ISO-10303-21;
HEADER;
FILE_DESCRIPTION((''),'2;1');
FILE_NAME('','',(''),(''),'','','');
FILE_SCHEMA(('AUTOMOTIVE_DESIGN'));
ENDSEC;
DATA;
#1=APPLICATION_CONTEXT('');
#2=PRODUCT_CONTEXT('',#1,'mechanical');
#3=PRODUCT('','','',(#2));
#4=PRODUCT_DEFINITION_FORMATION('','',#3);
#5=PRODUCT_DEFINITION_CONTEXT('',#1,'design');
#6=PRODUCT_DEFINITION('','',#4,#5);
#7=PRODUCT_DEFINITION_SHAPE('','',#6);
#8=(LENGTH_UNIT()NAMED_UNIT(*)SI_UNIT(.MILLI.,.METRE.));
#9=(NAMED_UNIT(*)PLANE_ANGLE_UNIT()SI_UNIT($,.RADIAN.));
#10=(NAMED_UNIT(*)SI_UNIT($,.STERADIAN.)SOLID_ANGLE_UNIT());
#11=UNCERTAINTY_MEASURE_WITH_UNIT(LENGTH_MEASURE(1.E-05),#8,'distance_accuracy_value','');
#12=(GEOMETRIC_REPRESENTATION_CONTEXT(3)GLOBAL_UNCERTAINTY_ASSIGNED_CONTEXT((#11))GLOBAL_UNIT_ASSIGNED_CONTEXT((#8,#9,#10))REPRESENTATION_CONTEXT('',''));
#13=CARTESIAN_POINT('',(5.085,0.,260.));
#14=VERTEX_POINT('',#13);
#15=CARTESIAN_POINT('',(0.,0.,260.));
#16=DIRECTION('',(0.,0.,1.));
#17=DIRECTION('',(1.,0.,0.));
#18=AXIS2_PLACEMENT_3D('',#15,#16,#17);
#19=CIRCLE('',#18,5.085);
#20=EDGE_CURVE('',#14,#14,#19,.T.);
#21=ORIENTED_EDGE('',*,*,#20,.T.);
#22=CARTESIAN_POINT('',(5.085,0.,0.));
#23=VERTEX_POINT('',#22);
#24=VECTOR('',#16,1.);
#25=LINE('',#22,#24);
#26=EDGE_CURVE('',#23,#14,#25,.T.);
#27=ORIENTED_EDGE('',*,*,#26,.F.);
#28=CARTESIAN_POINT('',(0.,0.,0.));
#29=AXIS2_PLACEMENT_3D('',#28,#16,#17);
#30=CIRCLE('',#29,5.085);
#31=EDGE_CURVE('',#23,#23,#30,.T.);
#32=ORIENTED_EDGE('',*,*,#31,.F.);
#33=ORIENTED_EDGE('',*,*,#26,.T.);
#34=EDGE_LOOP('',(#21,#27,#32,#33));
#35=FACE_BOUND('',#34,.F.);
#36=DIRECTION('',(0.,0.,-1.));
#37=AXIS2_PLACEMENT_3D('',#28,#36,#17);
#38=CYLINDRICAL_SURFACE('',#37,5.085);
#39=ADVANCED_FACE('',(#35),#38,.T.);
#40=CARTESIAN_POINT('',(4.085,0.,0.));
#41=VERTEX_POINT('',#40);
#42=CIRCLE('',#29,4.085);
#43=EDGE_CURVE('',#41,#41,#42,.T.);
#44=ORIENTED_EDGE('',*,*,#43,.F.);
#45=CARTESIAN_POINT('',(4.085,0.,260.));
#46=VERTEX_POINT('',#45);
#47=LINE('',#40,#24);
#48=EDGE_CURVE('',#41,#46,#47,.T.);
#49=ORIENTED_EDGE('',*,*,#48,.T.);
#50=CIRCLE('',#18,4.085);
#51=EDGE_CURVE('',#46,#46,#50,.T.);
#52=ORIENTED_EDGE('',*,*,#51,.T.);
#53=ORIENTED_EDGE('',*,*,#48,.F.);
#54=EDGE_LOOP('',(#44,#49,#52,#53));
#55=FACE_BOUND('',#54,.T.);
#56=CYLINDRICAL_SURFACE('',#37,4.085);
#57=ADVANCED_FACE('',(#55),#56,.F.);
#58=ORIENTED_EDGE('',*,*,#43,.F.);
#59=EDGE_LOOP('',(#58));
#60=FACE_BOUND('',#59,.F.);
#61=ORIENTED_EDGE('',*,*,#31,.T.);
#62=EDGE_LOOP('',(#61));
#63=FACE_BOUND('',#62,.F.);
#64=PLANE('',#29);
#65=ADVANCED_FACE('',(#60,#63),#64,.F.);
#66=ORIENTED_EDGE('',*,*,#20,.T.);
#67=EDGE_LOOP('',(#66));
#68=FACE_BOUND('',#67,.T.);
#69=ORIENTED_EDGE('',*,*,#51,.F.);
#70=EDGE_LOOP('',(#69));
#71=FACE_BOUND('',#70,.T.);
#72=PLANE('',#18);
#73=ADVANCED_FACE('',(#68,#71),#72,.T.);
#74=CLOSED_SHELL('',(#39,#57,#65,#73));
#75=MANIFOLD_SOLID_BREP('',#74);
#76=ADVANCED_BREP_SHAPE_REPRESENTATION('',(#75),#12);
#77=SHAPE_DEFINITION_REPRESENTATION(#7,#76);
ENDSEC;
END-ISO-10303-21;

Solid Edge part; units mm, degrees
sketch "Sketch1" plane through (0, 0, 0) normal (0, 0, 1) x (1, 0, 0)
  circle A0 centre (0, 0) radius 5.085
  circle A1 centre (0, 0) radius 4.085
extrude "Protrusion1" add sketch "Sketch1" along normal blind 260
